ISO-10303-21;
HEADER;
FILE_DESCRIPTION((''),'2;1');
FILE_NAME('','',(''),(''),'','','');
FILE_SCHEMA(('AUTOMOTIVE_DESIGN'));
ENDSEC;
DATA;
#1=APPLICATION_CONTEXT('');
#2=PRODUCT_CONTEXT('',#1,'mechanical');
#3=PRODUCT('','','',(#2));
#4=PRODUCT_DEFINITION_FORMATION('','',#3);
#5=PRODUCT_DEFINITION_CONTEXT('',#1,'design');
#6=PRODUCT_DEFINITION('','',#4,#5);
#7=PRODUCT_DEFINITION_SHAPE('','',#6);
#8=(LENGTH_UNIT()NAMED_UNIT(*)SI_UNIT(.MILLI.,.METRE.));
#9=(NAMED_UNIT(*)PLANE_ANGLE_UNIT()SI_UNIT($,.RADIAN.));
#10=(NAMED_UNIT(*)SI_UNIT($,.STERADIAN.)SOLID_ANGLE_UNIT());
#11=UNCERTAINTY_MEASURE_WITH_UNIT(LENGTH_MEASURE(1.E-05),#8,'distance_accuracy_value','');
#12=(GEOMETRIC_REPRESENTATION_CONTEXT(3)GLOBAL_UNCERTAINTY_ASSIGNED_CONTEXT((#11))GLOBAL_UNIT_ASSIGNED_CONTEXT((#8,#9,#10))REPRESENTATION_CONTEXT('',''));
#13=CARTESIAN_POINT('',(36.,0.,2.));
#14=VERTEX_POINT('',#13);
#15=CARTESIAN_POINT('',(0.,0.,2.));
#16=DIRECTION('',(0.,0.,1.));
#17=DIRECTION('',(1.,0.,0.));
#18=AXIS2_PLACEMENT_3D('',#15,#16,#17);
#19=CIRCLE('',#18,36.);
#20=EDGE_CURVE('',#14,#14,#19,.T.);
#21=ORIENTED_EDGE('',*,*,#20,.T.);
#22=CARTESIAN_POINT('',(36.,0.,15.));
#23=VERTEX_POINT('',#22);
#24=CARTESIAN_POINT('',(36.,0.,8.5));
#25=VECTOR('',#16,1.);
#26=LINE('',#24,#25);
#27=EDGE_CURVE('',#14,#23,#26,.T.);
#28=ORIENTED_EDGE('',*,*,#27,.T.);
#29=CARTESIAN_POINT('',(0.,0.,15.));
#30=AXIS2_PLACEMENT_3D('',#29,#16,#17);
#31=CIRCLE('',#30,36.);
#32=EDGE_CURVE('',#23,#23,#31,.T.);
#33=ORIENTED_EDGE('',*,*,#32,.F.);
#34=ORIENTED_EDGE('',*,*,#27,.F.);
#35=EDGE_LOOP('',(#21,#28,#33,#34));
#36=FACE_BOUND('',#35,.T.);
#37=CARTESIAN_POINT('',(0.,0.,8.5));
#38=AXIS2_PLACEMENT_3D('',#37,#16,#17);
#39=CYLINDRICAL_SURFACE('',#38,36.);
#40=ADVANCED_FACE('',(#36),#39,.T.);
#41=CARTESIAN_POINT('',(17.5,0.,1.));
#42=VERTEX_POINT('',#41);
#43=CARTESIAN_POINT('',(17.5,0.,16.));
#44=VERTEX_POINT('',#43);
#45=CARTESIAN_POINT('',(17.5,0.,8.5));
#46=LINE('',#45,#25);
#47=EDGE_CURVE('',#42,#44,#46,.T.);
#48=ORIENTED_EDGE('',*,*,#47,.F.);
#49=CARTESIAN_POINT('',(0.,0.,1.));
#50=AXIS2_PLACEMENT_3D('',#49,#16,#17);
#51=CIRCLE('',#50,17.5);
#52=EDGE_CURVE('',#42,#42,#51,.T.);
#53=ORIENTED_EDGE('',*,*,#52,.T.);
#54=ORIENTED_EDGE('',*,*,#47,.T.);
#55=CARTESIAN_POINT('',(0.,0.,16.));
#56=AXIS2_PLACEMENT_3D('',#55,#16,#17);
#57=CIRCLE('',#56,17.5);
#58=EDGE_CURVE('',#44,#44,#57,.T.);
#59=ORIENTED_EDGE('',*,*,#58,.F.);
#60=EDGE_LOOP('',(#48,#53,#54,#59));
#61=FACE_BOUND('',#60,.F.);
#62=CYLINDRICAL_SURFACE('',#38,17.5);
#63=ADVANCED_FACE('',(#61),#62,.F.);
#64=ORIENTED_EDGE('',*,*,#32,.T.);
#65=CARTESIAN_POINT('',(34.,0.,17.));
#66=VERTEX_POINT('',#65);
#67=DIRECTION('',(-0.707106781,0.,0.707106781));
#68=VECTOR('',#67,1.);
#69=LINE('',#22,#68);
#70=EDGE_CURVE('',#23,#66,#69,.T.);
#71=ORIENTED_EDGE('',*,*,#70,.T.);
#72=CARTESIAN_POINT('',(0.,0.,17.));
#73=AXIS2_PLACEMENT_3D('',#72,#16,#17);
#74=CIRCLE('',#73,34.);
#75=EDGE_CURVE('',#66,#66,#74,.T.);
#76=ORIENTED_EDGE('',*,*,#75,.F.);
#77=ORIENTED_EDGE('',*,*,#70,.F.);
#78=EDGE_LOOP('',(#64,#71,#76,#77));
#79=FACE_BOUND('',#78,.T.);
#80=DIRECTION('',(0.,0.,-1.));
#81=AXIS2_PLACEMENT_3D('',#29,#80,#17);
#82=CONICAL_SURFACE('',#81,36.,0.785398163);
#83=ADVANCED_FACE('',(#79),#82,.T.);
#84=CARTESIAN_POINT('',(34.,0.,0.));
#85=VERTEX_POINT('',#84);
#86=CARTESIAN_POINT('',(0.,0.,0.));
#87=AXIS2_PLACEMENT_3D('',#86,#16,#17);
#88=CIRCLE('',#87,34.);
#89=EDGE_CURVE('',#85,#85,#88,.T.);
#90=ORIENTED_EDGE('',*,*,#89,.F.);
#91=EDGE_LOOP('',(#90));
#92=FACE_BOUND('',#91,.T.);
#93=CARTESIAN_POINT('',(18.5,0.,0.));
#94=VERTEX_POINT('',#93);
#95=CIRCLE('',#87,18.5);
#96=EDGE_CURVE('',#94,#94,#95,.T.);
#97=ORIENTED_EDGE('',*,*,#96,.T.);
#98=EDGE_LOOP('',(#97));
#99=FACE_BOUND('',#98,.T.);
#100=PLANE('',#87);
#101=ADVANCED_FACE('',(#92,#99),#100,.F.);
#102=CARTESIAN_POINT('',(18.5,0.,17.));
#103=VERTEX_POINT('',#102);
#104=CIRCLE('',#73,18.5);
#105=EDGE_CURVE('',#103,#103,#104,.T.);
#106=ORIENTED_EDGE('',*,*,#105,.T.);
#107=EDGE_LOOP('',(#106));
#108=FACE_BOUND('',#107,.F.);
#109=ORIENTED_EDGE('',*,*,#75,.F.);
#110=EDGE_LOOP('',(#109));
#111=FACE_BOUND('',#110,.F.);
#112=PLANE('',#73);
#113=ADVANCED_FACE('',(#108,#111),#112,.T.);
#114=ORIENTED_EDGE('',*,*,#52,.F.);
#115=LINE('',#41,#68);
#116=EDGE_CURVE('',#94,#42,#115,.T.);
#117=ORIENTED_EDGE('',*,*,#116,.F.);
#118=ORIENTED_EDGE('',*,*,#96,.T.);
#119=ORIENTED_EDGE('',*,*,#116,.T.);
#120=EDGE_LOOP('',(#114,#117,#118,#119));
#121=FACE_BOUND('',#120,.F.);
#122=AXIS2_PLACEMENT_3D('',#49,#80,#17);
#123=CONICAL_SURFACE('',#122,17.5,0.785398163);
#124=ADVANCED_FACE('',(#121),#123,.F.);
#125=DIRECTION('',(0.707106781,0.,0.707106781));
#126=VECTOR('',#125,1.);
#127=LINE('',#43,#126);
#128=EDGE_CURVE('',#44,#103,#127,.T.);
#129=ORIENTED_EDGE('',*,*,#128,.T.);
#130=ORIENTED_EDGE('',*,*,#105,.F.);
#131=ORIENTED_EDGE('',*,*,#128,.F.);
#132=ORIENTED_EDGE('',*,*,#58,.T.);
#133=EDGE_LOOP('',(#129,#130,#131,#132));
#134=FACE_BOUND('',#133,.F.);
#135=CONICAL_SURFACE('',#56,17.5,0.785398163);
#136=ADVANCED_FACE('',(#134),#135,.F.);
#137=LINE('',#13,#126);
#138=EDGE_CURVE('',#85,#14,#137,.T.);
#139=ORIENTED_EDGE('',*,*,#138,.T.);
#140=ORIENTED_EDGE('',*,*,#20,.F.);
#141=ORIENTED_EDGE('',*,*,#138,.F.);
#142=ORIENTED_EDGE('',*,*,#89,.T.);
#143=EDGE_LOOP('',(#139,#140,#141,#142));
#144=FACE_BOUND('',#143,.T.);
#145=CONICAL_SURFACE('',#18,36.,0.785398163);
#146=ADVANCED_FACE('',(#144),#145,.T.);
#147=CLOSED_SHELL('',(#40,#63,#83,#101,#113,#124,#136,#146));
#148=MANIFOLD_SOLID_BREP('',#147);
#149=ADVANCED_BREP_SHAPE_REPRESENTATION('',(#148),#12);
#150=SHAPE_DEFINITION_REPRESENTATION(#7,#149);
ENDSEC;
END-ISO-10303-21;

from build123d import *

# Parameters (mm, degrees)
F0_W    = 18.5
F0_H    = 17
F2_SIZE = 2
F3_SIZE = 1


with BuildPart() as f1:
    # F0 (on Front) → F1 (revolve)
    with BuildSketch(Plane.XZ):
        with Locations((26.75, 8.5)):
            Rectangle(F0_W, F0_H)
    revolve(axis=Axis((0, 0, 7.291329), (0, 0, 1)))

    # F2
    f2_edges = [f1.edges().sort_by_distance(p)[0] for p in [
        (-36, 0, 17),
        (-36, 0, 0),
        (36, 0, 8.5),
    ]]
    chamfer(f2_edges, length=F2_SIZE)

    # F3
    f3_edges = [f1.edges().sort_by_distance(p)[0] for p in [
        (-17.5, 0, 17),
        (-17.5, 0, 0),
    ]]
    chamfer(f3_edges, length=F3_SIZE)


solid = f1.part
